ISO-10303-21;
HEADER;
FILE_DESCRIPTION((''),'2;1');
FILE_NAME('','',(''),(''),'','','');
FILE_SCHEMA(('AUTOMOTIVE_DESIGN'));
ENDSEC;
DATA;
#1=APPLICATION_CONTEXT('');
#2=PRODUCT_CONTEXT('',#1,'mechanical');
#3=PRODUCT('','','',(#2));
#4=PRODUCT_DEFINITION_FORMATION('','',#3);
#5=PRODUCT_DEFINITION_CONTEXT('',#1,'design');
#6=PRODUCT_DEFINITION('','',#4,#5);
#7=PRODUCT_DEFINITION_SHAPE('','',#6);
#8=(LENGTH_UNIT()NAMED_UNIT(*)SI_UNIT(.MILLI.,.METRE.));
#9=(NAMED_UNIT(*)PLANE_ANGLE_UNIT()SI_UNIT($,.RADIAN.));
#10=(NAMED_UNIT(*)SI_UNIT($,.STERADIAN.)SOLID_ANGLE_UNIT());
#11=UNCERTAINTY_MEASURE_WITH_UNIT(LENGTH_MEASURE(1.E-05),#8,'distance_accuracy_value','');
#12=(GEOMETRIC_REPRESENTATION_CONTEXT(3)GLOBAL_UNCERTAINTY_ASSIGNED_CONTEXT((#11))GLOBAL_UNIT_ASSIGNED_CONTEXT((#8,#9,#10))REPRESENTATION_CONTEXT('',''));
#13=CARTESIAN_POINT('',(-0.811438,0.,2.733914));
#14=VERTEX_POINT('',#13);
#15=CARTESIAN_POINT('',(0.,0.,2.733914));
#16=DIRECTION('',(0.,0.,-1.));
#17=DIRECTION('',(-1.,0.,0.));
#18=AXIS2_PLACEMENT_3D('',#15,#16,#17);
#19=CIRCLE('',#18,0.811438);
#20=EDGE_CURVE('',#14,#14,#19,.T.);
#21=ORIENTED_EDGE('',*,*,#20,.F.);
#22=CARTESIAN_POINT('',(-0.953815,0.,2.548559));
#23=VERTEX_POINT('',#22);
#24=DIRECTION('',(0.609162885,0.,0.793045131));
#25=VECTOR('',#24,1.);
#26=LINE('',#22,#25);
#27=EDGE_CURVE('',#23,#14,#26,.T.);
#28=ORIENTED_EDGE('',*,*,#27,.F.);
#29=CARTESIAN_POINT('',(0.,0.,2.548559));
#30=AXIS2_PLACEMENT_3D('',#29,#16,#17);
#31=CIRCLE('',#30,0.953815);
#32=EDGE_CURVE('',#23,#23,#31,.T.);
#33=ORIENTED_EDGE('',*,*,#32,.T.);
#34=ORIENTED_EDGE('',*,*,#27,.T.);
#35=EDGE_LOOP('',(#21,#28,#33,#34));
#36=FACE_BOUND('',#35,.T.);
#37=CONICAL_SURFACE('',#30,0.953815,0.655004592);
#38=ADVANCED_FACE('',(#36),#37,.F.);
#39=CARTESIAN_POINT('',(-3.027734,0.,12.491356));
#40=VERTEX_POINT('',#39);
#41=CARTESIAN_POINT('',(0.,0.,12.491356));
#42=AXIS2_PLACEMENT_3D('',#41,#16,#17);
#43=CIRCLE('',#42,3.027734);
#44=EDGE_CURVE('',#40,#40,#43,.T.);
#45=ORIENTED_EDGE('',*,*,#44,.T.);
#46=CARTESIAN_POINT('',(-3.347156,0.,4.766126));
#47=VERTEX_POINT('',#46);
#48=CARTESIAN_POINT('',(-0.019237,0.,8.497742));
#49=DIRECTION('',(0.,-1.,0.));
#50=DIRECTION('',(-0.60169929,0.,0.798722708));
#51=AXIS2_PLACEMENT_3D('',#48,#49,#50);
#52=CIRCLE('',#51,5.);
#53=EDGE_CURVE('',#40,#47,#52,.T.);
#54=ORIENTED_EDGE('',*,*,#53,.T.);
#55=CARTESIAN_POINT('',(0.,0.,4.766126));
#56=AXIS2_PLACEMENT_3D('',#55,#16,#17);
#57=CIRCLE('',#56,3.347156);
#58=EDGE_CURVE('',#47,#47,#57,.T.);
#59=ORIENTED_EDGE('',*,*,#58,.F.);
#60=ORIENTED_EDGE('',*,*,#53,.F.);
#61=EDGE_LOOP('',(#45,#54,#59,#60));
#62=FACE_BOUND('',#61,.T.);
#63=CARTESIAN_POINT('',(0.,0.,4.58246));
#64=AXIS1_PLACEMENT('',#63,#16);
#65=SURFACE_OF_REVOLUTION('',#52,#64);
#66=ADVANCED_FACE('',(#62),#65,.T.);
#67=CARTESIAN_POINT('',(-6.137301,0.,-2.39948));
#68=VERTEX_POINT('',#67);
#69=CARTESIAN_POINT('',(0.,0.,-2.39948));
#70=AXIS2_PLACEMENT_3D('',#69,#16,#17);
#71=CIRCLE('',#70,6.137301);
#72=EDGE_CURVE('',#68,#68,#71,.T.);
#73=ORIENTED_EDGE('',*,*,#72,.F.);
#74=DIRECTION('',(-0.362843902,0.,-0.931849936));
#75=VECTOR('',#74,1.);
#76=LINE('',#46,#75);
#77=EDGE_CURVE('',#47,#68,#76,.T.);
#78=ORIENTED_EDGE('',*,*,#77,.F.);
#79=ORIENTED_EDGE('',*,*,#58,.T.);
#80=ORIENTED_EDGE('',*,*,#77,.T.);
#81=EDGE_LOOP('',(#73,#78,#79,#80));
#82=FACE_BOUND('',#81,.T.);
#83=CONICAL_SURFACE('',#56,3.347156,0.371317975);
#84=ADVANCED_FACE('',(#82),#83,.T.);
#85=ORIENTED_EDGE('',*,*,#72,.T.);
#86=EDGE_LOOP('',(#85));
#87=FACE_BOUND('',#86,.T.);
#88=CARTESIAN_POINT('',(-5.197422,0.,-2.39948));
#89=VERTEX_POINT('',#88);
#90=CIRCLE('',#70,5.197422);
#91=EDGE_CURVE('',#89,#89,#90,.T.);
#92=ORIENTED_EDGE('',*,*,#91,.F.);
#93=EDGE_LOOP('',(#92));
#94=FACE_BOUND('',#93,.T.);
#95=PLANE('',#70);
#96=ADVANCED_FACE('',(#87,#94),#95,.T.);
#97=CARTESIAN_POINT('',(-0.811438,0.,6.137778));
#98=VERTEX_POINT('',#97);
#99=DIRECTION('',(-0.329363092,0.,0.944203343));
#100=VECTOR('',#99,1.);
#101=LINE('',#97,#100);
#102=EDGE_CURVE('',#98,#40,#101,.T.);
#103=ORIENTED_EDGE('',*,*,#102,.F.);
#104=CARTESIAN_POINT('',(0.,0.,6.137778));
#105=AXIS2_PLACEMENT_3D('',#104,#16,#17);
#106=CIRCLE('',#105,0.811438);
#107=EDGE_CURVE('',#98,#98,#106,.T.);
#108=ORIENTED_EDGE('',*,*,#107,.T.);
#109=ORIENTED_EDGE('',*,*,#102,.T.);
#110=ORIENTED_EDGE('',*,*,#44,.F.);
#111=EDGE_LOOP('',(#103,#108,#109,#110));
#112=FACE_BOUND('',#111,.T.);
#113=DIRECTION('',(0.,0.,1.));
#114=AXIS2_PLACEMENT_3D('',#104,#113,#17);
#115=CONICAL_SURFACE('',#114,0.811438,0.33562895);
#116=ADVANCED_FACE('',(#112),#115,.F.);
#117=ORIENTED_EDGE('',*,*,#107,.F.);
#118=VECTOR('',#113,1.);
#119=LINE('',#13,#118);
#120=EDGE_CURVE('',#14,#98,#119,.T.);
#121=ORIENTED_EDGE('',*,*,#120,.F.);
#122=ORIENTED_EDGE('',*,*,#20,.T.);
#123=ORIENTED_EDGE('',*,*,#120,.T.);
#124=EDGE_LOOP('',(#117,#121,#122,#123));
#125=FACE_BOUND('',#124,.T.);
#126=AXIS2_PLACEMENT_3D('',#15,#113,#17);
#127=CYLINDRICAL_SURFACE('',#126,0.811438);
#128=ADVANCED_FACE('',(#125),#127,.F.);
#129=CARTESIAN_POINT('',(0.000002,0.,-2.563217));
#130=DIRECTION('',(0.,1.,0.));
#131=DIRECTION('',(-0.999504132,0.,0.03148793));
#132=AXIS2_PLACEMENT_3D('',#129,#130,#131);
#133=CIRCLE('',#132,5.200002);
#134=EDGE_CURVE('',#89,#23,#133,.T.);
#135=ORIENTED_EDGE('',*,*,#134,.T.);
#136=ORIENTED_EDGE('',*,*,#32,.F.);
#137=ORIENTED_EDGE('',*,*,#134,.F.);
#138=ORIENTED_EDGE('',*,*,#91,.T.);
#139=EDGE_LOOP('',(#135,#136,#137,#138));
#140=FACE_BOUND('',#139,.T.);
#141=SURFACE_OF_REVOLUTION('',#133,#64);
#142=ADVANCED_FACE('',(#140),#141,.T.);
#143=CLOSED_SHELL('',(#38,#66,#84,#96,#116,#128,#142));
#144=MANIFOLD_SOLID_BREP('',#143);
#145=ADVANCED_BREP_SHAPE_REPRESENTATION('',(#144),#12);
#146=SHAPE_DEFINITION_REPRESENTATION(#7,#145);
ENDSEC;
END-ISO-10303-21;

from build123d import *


with BuildPart() as f1:
    # F0 (on Front) → F1 (revolve)
    with BuildSketch(Plane.XZ):
        with BuildLine():
            Line((-0.811438, 6.137778), (-3.027734, 12.491356))
            ThreePointArc((-3.027734, 12.491356), (-5.014969, 8.704305), (-3.347156, 4.766126))
            Line((-3.347156, 4.766126), (-6.137301, -2.39948))
            Line((-6.137301, -2.39948), (-5.197422, -2.39948))
            ThreePointArc((-5.197422, -2.39948), (-3.947176, 0.822017), (-0.953815, 2.548559))
            Line((-0.953815, 2.548559), (-0.811438, 2.733914))
            Line((-0.811438, 2.733914), (-0.811438, 6.137778))
        make_face()
    revolve(axis=Axis((0, 0, 4.58246), (0, 0, -1)))


solid = f1.part
